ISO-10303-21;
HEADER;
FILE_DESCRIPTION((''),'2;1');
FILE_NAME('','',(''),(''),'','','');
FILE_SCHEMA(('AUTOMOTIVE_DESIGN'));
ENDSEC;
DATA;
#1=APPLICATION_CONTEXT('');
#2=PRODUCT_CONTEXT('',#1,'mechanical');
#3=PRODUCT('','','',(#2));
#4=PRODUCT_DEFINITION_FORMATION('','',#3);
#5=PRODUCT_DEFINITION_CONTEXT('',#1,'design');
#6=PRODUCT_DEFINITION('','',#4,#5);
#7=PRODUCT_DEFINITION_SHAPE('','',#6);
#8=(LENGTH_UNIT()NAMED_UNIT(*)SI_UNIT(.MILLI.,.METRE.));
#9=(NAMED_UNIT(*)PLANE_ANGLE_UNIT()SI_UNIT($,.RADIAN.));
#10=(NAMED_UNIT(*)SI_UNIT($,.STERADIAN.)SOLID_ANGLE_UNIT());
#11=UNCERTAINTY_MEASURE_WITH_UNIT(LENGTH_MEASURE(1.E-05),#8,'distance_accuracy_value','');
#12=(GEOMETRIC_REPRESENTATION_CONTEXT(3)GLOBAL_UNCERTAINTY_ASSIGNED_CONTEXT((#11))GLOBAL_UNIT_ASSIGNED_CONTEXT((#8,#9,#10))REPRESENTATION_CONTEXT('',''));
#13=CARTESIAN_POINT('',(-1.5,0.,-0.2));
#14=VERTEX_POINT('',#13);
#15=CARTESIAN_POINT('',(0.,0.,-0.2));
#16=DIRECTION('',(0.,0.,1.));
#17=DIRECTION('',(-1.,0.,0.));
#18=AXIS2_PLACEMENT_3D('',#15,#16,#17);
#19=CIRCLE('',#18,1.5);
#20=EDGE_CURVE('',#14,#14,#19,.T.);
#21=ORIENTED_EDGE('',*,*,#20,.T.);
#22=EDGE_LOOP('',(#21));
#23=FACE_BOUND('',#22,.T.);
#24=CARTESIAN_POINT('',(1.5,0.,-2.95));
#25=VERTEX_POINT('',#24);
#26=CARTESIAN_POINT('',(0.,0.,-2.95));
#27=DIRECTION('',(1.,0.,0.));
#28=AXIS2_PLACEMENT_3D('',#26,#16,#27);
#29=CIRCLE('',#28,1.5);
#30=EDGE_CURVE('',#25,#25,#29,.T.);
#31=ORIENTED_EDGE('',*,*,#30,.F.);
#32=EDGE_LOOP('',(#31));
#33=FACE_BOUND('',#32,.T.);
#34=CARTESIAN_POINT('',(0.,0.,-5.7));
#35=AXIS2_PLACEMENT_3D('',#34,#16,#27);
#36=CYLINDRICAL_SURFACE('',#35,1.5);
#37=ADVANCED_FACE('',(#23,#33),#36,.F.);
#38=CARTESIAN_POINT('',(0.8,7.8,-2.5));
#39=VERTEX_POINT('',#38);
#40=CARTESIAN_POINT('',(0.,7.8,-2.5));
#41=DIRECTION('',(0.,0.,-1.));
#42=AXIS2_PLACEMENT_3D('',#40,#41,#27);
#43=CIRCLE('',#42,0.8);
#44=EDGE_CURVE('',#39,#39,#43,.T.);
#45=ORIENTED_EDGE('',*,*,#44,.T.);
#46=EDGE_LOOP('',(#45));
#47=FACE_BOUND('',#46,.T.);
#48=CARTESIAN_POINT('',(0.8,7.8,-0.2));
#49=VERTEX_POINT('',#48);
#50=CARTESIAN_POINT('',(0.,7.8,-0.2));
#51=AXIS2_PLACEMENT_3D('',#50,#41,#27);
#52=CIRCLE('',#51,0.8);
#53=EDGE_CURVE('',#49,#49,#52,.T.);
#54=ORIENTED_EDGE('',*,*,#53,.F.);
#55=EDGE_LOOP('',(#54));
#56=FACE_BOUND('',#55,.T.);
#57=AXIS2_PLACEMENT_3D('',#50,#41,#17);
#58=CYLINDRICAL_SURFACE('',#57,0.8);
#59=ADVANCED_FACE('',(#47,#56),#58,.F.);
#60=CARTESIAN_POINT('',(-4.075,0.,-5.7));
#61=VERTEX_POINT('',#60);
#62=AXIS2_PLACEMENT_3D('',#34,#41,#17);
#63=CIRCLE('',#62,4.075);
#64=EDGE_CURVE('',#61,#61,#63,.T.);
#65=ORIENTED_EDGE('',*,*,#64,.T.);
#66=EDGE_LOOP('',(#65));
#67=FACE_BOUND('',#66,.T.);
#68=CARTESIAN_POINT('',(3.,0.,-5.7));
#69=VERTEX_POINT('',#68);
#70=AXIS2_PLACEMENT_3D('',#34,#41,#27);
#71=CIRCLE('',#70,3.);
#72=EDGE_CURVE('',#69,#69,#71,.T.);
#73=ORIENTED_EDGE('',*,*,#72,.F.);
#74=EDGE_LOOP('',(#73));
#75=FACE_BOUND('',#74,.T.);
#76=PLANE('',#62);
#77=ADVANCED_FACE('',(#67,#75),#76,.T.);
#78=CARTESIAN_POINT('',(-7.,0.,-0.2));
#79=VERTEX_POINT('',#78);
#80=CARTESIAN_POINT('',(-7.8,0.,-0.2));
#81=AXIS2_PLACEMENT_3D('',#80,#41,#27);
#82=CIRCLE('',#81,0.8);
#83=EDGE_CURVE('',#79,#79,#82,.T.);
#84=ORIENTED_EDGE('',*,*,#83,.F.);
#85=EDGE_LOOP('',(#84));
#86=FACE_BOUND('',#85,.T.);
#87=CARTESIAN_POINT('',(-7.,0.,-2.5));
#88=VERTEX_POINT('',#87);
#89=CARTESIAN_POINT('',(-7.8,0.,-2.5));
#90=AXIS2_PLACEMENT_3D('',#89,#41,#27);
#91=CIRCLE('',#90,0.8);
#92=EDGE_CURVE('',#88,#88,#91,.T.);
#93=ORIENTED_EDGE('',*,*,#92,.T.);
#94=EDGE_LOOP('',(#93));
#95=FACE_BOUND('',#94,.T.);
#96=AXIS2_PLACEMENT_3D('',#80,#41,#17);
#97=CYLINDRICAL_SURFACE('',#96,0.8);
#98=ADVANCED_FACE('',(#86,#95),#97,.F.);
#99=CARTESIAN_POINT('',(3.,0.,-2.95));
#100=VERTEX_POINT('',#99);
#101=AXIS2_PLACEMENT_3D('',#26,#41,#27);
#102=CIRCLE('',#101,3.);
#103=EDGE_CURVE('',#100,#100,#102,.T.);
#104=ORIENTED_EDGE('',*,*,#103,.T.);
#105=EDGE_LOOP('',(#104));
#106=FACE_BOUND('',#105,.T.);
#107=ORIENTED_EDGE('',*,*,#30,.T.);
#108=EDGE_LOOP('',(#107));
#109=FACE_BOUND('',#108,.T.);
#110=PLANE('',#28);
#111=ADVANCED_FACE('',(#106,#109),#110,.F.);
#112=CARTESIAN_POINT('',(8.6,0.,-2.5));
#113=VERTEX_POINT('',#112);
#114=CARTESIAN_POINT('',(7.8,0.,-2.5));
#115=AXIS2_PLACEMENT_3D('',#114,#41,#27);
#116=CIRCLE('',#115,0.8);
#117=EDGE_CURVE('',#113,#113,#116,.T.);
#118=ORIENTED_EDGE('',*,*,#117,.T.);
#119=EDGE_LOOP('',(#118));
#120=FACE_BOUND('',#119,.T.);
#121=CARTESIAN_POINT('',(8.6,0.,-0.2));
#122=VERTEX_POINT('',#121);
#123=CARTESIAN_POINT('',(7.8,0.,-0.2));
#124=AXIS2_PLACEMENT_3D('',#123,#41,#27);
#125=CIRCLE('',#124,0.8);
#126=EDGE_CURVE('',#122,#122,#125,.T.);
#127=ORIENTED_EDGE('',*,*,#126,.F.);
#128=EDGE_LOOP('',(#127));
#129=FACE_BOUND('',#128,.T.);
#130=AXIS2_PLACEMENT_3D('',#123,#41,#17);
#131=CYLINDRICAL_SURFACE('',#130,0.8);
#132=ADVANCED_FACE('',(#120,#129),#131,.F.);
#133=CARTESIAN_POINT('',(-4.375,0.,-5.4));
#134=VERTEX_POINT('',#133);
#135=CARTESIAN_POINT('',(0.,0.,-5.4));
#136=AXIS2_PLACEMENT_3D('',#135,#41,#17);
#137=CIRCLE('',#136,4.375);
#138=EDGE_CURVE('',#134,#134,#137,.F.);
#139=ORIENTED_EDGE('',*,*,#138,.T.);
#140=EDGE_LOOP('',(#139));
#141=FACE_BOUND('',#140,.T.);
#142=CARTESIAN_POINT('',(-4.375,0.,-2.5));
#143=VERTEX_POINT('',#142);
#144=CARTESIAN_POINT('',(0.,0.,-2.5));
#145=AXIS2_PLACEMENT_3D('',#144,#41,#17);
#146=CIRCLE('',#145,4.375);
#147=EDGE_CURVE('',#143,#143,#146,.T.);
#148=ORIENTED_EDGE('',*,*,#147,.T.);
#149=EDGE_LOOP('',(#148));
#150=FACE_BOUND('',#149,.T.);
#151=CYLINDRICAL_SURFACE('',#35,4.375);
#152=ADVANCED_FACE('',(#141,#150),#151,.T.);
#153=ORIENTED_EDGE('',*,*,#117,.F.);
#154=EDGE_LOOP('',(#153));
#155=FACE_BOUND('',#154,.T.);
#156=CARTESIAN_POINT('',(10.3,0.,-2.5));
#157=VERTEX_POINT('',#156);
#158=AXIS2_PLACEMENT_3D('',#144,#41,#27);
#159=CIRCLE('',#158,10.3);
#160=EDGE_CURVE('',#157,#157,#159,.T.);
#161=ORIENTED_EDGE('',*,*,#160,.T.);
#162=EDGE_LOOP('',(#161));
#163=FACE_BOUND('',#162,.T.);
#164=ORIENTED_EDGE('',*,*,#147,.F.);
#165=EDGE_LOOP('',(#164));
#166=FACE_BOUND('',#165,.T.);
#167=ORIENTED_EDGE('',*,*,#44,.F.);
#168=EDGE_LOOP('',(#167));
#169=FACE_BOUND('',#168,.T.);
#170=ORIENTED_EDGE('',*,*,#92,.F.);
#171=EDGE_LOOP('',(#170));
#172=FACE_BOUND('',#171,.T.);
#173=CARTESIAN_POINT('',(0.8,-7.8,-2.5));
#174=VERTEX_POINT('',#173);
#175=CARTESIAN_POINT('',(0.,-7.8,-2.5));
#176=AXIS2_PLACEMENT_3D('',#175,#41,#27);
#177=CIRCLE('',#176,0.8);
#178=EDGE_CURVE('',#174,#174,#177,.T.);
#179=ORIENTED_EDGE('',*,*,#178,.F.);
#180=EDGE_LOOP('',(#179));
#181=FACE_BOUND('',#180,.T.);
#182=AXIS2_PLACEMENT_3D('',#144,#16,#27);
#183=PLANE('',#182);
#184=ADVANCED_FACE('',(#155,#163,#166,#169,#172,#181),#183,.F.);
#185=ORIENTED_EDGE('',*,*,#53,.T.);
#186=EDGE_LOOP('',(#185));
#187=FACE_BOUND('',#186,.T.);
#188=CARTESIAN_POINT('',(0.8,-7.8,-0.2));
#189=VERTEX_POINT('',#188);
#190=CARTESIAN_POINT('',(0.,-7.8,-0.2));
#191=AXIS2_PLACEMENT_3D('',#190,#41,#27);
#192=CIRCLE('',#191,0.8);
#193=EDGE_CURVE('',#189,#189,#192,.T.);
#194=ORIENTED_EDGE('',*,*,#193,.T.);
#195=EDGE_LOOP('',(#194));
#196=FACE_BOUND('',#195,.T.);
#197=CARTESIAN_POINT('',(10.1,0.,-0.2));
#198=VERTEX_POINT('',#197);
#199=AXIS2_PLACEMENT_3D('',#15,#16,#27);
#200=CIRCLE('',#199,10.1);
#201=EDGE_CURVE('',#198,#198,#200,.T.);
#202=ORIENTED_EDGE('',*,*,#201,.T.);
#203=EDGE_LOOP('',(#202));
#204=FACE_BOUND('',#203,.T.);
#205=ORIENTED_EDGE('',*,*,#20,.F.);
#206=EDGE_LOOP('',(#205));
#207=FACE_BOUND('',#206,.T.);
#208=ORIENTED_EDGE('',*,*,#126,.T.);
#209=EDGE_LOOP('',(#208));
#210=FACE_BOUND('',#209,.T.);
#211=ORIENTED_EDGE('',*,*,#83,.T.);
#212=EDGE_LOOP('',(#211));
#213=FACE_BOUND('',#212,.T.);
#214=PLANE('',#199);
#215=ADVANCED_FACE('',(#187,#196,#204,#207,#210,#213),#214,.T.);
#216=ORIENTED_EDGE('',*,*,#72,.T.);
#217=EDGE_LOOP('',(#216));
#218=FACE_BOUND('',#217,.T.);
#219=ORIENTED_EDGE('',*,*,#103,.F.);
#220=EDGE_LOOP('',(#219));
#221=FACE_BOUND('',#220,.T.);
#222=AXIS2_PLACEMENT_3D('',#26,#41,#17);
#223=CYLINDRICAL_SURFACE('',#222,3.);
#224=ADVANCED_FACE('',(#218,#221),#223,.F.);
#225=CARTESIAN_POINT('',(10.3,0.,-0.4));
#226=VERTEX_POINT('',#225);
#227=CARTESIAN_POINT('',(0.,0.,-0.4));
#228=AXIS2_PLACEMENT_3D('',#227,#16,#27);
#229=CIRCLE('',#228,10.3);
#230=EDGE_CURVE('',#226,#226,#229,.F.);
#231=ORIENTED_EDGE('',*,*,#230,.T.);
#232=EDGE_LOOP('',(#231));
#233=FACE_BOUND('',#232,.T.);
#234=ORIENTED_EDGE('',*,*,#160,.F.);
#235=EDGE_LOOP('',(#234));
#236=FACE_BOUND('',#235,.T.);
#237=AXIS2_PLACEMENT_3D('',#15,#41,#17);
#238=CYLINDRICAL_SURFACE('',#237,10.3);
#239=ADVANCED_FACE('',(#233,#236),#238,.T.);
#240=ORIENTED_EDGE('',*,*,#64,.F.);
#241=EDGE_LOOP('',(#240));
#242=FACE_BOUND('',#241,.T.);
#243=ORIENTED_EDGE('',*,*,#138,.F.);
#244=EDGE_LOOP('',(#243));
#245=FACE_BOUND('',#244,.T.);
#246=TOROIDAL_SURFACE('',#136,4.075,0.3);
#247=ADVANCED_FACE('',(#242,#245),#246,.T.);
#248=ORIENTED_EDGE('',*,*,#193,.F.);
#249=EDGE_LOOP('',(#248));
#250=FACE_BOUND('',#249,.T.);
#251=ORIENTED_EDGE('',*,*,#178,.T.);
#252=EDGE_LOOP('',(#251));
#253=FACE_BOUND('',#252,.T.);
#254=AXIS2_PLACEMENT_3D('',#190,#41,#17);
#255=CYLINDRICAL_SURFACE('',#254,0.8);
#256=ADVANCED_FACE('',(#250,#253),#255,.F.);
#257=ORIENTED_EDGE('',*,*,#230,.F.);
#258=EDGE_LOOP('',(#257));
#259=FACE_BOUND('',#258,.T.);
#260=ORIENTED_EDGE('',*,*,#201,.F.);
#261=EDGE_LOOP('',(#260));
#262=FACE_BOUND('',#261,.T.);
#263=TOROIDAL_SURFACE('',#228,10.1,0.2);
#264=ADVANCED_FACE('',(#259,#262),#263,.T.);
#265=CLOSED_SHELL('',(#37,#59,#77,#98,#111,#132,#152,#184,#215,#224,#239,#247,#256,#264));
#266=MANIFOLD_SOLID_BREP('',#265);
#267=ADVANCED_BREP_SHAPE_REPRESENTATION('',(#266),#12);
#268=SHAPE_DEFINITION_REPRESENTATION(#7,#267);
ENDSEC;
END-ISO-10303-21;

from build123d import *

# Parameters (mm, degrees)
SKETCH1_R           = 10.3
BOSS_EXTRUDE1_DEPTH = 2.3
SKETCH2_R           = 4.375
BOSS_EXTRUDE2_DEPTH = 3.2
SKETCH3_R           = 3
CUT_EXTRUDE1_DEPTH  = 2.75
SKETCH4_R           = 1.5
CUT_EXTRUDE2_DEPTH  = 16.570163776
SKETCH12_R          = 0.8
CUT_EXTRUDE10_DEPTH = 15.913752043
FILLET2_R           = 0.2
FILLET3_R           = 0.3


with BuildPart() as part:
    # Sketch1 → Boss-Extrude1 (new body)
    with BuildSketch(Plane(origin=(0, 0, -2.5), x_dir=(-1, 0, 0), z_dir=(0, 0, -1))):
        with Locations(Location((0, 0, 0), (0, 0, 180))):
            Circle(SKETCH1_R)
    extrude(amount=-BOSS_EXTRUDE1_DEPTH)

    # Sketch2 → Boss-Extrude2 (add)
    with BuildSketch(Plane(origin=(0, 0, -2.5), x_dir=(-1, 0, 0), z_dir=(0, 0, -1))):
        Circle(SKETCH2_R)
    extrude(amount=BOSS_EXTRUDE2_DEPTH)

    # Sketch3 → Cut-Extrude1 (cut)
    with BuildSketch(Plane(origin=(0, 0, -5.7), x_dir=(-1, 0, 0), z_dir=(0, 0, -1))):
        with Locations(Location((0, 0, 0), (0, 0, 180))):
            Circle(SKETCH3_R)
    extrude(amount=-CUT_EXTRUDE1_DEPTH, mode=Mode.SUBTRACT)

    # Sketch4 → Cut-Extrude2 (cut, through all)
    with BuildSketch(Plane.XY.offset(-0.2)):
        Circle(SKETCH4_R)
    extrude(amount=-CUT_EXTRUDE2_DEPTH, mode=Mode.SUBTRACT)

    # Sketch12 → Cut-Extrude10 (cut, through all)
    with BuildSketch(Plane(origin=(0, 0, -2.5), x_dir=(-1, 0, 0), z_dir=(0, 0, -1))):
        with Locations(Location((0, 7.8, 0), (0, 0, 180))):
            Circle(SKETCH12_R)
        with Locations(Location((7.8, 0, 0), (0, 0, 180))):
            Circle(SKETCH12_R)
        with Locations(Location((0, -7.8, 0), (0, 0, 180))):
            Circle(SKETCH12_R)
        with Locations(Location((-7.8, 0, 0), (0, 0, 180))):
            Circle(SKETCH12_R)
    extrude(amount=-CUT_EXTRUDE10_DEPTH, mode=Mode.SUBTRACT)

    # Fillet2
    fillet2_edges = [part.edges().sort_by_distance(p)[0] for p in [
        (-10.3, 0, -0.2),
    ]]
    fillet(fillet2_edges, radius=FILLET2_R)

    # Fillet3
    fillet3_edges = [part.edges().sort_by_distance(p)[0] for p in [
        (4.375, 0, -5.7),
    ]]
    fillet(fillet3_edges, radius=FILLET3_R)


solid = part.part
